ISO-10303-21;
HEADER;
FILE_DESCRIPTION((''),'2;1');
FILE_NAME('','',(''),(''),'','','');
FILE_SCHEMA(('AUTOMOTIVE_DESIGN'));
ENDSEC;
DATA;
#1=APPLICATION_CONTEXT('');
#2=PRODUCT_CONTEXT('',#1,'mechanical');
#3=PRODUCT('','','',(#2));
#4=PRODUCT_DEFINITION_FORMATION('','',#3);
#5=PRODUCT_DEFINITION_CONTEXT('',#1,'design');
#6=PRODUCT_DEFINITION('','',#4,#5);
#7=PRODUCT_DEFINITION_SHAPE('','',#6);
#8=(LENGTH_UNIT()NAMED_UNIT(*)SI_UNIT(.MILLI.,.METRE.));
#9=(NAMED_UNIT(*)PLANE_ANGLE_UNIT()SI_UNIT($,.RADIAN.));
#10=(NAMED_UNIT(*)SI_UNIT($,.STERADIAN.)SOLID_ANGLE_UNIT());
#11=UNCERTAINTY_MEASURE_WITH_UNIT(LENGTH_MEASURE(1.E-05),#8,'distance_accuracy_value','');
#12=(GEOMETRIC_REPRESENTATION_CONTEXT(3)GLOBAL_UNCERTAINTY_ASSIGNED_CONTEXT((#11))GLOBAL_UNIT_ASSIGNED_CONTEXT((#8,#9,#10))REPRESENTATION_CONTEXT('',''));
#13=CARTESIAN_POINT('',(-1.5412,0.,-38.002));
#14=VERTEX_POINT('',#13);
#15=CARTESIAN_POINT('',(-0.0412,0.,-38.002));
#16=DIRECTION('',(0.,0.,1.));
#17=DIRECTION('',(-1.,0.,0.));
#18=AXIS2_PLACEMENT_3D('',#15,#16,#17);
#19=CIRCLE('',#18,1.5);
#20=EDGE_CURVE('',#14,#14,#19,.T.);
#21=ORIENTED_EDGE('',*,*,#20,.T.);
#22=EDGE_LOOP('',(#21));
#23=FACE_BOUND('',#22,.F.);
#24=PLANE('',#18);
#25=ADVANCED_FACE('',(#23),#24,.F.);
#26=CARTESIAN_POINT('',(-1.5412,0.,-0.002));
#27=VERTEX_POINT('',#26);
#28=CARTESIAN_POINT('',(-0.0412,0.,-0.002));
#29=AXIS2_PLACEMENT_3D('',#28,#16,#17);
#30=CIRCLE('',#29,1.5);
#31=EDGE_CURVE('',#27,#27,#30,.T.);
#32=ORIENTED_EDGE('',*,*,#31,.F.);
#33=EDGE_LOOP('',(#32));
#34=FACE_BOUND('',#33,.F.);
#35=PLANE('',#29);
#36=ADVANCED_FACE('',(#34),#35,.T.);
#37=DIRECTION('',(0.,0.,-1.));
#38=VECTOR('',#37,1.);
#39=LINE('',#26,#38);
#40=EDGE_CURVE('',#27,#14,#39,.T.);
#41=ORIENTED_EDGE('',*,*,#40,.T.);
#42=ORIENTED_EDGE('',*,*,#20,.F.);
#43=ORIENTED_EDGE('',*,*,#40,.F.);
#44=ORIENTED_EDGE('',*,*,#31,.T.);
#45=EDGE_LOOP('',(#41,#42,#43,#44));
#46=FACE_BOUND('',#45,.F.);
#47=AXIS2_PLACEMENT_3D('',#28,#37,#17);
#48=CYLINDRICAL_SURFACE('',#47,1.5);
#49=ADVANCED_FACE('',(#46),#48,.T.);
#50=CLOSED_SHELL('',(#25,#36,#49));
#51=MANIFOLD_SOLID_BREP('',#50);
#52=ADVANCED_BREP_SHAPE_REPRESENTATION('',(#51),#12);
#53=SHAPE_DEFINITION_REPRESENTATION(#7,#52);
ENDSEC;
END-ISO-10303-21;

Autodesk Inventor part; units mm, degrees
ref_plane "Plan YZ" through (0, 0, 0) normal (1, 0, 0) x (0, 1, 0)
ref_plane "Plan XZ" through (0, 0, 0) normal (0, 1, 0) x (-1, 0, 0)
ref_plane "Plan XY" through (0, 0, 0) normal (0, 0, 1) x (1, 0, 0)
sketch "Esquisse1" plane through (0, 0, 0) normal (0, 0, 1) x (1, 0, 0)
  point P0 (0, 0)
sketch "Esquisse6" plane through (0, 0, 0) normal (0, 1, 0) x (-1, 0, 0)
  line L0 (0.0412, -0.002) -> (1.5412, -0.002)
  line L1 (1.5412, -0.002) -> (1.5412, -38.002)
  line L2 (1.5412, -38.002) -> (0.0412, -38.002)
  line L3 (0.0412, -38.002) -> (0.0412, -0.002)
  dimension "d0" = 1.5
  dimension "d1" = 38
revolve "Révolution1" add sketch "Esquisse6" angle 360 about axis through (-0.0412, 0, -38.002) along (0, 0, 1)
properties part number "P1704_005_guideRessort" material "Laiton, jaune doux"
